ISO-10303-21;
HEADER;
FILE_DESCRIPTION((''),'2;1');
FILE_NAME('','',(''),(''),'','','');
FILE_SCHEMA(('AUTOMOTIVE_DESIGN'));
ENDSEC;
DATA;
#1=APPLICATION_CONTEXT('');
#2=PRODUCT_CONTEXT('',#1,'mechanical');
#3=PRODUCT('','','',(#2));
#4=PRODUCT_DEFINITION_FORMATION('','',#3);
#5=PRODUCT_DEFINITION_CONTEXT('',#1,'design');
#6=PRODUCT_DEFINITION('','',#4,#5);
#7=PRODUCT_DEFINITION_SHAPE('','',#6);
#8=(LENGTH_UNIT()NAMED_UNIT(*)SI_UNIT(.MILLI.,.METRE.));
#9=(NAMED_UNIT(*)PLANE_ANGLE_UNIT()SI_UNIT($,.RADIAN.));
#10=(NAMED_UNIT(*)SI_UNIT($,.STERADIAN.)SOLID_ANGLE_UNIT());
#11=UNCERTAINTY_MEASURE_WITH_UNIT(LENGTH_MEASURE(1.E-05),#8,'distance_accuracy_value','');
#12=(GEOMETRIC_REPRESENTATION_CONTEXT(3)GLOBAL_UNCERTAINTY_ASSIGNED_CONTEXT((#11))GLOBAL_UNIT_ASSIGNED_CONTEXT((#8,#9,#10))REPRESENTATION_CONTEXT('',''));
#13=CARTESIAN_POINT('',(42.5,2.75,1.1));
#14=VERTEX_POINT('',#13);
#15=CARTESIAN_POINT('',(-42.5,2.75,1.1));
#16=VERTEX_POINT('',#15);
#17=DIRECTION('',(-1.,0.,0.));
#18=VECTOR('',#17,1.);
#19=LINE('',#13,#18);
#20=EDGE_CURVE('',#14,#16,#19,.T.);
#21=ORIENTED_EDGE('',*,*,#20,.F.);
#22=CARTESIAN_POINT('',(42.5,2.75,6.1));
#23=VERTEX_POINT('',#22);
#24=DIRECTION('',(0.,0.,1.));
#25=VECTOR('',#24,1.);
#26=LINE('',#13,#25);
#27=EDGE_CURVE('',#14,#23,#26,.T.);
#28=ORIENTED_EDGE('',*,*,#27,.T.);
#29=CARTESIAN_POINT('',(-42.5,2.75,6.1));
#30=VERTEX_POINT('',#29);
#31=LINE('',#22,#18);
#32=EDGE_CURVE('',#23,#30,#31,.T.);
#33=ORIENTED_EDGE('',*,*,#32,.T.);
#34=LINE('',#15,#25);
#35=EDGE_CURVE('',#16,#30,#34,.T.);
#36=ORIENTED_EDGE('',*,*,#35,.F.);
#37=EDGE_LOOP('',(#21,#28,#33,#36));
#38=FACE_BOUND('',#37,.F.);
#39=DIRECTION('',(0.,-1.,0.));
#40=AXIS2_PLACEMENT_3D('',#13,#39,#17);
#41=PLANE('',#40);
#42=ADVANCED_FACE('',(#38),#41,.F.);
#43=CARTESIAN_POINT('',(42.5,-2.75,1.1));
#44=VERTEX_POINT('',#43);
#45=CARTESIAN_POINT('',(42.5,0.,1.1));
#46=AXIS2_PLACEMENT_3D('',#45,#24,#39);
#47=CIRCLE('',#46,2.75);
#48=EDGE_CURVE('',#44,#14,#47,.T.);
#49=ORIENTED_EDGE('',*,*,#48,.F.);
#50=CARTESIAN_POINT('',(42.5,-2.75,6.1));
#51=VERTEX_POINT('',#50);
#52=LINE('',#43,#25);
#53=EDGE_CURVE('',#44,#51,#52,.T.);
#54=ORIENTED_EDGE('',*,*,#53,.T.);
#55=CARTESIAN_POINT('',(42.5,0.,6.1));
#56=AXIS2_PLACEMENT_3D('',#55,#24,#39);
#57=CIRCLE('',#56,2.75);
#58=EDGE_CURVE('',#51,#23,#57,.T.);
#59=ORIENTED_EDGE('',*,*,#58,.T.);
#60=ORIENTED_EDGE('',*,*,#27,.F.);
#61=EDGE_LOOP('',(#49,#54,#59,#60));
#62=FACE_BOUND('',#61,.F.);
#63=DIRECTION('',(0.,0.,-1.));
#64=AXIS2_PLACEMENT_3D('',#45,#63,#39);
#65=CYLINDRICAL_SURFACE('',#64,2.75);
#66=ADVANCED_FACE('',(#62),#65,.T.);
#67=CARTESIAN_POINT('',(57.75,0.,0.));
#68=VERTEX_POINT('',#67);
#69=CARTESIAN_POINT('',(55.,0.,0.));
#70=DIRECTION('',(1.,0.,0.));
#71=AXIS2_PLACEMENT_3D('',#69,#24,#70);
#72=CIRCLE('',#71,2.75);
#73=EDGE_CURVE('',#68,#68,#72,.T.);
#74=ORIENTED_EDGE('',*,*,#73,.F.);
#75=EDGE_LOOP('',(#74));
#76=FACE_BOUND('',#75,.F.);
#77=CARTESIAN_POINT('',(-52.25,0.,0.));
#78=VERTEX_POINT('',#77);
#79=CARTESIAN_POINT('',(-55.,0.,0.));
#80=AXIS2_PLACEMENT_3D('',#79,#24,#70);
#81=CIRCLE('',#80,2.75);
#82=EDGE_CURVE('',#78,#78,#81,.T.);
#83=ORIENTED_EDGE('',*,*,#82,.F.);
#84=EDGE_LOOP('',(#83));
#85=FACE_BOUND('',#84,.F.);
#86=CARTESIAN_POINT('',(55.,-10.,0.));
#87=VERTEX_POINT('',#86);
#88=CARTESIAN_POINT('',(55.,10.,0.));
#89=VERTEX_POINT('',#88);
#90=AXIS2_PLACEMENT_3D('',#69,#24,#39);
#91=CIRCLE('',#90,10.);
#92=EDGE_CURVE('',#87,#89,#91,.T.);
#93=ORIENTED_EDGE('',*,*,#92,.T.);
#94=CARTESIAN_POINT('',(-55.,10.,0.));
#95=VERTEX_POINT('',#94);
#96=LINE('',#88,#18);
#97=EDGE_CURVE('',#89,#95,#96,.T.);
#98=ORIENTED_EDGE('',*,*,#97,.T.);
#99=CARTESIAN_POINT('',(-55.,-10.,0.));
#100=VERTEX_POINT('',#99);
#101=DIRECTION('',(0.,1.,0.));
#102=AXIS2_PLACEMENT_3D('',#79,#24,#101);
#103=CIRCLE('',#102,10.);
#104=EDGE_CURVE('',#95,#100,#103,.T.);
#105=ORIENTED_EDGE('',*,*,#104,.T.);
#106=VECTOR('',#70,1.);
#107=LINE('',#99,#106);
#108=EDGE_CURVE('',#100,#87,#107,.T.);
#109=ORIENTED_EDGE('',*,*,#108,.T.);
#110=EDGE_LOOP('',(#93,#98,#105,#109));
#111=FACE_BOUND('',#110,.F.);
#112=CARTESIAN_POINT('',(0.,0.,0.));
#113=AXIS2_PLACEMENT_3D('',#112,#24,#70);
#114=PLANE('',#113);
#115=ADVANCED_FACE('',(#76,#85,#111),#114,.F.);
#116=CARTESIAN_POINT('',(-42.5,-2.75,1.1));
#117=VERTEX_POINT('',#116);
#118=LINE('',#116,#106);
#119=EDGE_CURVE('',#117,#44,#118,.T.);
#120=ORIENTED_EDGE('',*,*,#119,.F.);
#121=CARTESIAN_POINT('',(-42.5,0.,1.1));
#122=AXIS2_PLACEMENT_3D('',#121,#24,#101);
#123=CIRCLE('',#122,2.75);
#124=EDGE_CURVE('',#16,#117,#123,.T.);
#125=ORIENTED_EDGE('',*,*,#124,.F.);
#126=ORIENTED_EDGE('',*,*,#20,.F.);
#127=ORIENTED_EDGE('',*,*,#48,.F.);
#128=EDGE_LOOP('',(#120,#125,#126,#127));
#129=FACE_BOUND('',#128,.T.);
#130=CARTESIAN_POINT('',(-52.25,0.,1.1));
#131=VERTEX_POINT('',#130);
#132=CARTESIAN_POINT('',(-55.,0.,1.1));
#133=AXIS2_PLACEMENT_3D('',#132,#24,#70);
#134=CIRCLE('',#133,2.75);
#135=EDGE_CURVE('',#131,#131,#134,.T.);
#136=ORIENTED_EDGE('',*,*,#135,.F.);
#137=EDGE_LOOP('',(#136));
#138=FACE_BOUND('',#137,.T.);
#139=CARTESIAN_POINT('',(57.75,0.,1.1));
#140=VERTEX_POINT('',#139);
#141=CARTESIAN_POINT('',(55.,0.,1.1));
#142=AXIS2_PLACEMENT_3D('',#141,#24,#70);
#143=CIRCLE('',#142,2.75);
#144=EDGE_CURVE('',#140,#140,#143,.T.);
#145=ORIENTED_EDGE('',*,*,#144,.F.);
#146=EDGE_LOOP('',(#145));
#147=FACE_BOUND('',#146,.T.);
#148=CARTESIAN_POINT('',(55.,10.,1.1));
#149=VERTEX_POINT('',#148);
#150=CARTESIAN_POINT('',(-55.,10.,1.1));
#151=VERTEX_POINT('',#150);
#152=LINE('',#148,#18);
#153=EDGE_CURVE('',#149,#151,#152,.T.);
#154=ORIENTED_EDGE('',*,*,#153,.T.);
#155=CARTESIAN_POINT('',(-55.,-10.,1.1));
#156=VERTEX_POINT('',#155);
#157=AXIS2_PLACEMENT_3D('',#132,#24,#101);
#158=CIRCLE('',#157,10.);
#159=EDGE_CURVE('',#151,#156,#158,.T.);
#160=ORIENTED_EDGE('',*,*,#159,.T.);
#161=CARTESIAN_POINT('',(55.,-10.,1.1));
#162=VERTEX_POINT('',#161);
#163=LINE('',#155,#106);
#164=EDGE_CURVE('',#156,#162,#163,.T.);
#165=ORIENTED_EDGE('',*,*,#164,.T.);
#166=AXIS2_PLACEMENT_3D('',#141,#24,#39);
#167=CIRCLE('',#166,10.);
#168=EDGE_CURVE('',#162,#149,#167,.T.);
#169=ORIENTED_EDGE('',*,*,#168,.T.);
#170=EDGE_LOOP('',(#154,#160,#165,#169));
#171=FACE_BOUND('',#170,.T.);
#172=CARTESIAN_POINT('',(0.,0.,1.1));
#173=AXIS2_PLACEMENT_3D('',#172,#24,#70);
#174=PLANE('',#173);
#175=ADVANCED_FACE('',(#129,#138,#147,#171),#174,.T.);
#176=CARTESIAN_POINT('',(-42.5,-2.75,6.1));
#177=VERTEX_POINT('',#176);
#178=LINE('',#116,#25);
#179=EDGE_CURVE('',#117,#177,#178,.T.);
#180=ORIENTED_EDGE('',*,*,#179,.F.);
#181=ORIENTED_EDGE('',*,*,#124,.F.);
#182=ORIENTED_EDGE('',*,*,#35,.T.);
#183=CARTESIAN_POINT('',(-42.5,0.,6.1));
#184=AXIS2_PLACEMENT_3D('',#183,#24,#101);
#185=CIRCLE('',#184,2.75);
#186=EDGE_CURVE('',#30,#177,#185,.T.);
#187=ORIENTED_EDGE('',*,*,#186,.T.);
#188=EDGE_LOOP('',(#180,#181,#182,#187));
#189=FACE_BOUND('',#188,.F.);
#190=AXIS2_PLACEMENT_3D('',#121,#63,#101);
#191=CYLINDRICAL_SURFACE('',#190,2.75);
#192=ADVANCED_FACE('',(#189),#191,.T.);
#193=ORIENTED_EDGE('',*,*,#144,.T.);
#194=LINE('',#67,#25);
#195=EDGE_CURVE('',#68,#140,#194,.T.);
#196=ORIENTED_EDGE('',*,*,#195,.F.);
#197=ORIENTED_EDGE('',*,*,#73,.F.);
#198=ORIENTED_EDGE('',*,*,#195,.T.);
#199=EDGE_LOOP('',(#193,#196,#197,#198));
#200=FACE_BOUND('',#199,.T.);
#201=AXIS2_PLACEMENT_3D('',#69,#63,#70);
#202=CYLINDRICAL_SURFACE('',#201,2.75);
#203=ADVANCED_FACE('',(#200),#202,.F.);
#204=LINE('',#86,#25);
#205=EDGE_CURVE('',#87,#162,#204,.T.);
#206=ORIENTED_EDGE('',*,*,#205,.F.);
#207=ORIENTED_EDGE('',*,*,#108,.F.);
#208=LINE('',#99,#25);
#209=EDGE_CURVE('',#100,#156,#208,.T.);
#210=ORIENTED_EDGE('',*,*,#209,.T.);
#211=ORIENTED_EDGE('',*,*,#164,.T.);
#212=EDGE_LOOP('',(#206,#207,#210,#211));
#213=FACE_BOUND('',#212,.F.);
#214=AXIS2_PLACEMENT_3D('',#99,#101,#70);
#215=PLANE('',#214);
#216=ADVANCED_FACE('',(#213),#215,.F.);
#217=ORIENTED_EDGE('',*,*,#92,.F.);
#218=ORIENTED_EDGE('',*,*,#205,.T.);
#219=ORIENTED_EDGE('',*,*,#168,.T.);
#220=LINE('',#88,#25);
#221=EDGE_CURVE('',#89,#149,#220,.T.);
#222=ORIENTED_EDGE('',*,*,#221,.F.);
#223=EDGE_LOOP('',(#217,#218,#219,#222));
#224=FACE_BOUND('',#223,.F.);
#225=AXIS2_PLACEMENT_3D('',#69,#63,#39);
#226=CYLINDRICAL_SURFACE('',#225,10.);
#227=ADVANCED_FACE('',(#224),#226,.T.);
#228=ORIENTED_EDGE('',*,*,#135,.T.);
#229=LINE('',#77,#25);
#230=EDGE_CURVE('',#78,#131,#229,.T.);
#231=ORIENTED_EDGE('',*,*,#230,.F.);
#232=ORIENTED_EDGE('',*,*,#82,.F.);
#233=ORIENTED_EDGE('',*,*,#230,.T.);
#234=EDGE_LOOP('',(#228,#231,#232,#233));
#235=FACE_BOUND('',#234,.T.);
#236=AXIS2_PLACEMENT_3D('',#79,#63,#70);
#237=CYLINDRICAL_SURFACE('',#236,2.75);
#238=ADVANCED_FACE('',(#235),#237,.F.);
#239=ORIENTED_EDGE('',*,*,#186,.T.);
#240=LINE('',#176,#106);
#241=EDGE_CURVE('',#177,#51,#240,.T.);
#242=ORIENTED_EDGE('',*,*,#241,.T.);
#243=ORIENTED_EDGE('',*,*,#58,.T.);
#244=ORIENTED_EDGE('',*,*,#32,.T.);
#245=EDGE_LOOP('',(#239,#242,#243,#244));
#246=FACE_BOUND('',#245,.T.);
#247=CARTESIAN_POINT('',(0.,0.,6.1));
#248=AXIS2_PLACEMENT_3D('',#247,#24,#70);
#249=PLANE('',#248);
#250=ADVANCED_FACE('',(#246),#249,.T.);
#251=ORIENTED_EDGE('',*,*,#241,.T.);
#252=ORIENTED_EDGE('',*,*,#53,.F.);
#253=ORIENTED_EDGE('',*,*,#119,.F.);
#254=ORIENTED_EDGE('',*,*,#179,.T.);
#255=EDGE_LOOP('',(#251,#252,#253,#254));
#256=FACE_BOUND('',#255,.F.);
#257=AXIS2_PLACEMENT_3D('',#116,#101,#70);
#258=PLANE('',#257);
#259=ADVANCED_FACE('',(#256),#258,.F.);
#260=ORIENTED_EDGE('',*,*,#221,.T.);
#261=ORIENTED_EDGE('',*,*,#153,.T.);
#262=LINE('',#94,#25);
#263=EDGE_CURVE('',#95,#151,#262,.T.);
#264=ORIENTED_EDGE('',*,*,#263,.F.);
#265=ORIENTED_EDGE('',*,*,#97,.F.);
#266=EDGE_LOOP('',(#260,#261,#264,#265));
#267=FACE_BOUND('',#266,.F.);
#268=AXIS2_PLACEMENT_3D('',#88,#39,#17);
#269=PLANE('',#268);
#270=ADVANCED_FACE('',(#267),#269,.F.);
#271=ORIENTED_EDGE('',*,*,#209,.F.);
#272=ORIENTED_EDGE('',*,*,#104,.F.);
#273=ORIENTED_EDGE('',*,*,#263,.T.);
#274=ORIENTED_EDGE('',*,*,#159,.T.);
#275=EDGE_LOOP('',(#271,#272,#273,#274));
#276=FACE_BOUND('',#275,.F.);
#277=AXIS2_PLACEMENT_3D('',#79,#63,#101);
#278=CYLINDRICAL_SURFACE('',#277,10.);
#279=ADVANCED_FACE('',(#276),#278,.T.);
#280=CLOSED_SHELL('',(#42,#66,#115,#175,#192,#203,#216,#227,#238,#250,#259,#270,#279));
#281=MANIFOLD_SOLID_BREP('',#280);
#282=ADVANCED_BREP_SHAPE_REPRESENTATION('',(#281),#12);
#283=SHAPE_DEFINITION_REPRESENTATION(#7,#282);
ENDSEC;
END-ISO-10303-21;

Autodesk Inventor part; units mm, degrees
ref_plane "YZ Plane" through (0, 0, 0) normal (1, 0, 0) x (0, 1, 0)
ref_plane "XZ Plane" through (0, 0, 0) normal (0, 1, 0) x (-1, 0, 0)
ref_plane "XY Plane" through (0, 0, 0) normal (0, 0, 1) x (1, 0, 0)
sketch "Sketch1" plane through (0, 0, 0) normal (0, 0, 1) x (1, 0, 0)
  line L0 (-55, 0) -> (55, 0) construction
  line L1 (-55, -10) -> (55, -10)
  line L2 (55, 10) -> (-55, 10)
  arc A0 (-55, 10) -> (-55, -10) centre (-55, 0) ccw
  arc A1 (55, -10) -> (55, 10) centre (55, 0) ccw
  circle A2 centre (-55, 0) radius 2.75
  circle A3 centre (55, 0) radius 2.75
  point P0 (0, 0)
  dimension "d0" = 10
  dimension "d1" = 110
  dimension "d2" = 5.5
extrude "Extrusion1" add sketch "Sketch1" along normal blind 1.1
sketch "Sketch2" plane through (0, 0, 1.1) normal (0, 0, 1) x (1, 0, 0)
  line L0 (42.5, 0) -> (-42.5, 0) construction
  line L1 (42.5, 2.75) -> (-42.5, 2.75)
  line L2 (-42.5, -2.75) -> (42.5, -2.75)
  arc A0 (42.5, -2.75) -> (42.5, 2.75) centre (42.5, 0) ccw
  arc A1 (-42.5, 2.75) -> (-42.5, -2.75) centre (-42.5, 0) ccw
  point P0 (0, 0)
  dimension "d5" = 5.5
  dimension "d6" = 85
extrude "Extrusion2" add sketch "Sketch2" along normal blind 5
properties part number "OldWankelBracket"
